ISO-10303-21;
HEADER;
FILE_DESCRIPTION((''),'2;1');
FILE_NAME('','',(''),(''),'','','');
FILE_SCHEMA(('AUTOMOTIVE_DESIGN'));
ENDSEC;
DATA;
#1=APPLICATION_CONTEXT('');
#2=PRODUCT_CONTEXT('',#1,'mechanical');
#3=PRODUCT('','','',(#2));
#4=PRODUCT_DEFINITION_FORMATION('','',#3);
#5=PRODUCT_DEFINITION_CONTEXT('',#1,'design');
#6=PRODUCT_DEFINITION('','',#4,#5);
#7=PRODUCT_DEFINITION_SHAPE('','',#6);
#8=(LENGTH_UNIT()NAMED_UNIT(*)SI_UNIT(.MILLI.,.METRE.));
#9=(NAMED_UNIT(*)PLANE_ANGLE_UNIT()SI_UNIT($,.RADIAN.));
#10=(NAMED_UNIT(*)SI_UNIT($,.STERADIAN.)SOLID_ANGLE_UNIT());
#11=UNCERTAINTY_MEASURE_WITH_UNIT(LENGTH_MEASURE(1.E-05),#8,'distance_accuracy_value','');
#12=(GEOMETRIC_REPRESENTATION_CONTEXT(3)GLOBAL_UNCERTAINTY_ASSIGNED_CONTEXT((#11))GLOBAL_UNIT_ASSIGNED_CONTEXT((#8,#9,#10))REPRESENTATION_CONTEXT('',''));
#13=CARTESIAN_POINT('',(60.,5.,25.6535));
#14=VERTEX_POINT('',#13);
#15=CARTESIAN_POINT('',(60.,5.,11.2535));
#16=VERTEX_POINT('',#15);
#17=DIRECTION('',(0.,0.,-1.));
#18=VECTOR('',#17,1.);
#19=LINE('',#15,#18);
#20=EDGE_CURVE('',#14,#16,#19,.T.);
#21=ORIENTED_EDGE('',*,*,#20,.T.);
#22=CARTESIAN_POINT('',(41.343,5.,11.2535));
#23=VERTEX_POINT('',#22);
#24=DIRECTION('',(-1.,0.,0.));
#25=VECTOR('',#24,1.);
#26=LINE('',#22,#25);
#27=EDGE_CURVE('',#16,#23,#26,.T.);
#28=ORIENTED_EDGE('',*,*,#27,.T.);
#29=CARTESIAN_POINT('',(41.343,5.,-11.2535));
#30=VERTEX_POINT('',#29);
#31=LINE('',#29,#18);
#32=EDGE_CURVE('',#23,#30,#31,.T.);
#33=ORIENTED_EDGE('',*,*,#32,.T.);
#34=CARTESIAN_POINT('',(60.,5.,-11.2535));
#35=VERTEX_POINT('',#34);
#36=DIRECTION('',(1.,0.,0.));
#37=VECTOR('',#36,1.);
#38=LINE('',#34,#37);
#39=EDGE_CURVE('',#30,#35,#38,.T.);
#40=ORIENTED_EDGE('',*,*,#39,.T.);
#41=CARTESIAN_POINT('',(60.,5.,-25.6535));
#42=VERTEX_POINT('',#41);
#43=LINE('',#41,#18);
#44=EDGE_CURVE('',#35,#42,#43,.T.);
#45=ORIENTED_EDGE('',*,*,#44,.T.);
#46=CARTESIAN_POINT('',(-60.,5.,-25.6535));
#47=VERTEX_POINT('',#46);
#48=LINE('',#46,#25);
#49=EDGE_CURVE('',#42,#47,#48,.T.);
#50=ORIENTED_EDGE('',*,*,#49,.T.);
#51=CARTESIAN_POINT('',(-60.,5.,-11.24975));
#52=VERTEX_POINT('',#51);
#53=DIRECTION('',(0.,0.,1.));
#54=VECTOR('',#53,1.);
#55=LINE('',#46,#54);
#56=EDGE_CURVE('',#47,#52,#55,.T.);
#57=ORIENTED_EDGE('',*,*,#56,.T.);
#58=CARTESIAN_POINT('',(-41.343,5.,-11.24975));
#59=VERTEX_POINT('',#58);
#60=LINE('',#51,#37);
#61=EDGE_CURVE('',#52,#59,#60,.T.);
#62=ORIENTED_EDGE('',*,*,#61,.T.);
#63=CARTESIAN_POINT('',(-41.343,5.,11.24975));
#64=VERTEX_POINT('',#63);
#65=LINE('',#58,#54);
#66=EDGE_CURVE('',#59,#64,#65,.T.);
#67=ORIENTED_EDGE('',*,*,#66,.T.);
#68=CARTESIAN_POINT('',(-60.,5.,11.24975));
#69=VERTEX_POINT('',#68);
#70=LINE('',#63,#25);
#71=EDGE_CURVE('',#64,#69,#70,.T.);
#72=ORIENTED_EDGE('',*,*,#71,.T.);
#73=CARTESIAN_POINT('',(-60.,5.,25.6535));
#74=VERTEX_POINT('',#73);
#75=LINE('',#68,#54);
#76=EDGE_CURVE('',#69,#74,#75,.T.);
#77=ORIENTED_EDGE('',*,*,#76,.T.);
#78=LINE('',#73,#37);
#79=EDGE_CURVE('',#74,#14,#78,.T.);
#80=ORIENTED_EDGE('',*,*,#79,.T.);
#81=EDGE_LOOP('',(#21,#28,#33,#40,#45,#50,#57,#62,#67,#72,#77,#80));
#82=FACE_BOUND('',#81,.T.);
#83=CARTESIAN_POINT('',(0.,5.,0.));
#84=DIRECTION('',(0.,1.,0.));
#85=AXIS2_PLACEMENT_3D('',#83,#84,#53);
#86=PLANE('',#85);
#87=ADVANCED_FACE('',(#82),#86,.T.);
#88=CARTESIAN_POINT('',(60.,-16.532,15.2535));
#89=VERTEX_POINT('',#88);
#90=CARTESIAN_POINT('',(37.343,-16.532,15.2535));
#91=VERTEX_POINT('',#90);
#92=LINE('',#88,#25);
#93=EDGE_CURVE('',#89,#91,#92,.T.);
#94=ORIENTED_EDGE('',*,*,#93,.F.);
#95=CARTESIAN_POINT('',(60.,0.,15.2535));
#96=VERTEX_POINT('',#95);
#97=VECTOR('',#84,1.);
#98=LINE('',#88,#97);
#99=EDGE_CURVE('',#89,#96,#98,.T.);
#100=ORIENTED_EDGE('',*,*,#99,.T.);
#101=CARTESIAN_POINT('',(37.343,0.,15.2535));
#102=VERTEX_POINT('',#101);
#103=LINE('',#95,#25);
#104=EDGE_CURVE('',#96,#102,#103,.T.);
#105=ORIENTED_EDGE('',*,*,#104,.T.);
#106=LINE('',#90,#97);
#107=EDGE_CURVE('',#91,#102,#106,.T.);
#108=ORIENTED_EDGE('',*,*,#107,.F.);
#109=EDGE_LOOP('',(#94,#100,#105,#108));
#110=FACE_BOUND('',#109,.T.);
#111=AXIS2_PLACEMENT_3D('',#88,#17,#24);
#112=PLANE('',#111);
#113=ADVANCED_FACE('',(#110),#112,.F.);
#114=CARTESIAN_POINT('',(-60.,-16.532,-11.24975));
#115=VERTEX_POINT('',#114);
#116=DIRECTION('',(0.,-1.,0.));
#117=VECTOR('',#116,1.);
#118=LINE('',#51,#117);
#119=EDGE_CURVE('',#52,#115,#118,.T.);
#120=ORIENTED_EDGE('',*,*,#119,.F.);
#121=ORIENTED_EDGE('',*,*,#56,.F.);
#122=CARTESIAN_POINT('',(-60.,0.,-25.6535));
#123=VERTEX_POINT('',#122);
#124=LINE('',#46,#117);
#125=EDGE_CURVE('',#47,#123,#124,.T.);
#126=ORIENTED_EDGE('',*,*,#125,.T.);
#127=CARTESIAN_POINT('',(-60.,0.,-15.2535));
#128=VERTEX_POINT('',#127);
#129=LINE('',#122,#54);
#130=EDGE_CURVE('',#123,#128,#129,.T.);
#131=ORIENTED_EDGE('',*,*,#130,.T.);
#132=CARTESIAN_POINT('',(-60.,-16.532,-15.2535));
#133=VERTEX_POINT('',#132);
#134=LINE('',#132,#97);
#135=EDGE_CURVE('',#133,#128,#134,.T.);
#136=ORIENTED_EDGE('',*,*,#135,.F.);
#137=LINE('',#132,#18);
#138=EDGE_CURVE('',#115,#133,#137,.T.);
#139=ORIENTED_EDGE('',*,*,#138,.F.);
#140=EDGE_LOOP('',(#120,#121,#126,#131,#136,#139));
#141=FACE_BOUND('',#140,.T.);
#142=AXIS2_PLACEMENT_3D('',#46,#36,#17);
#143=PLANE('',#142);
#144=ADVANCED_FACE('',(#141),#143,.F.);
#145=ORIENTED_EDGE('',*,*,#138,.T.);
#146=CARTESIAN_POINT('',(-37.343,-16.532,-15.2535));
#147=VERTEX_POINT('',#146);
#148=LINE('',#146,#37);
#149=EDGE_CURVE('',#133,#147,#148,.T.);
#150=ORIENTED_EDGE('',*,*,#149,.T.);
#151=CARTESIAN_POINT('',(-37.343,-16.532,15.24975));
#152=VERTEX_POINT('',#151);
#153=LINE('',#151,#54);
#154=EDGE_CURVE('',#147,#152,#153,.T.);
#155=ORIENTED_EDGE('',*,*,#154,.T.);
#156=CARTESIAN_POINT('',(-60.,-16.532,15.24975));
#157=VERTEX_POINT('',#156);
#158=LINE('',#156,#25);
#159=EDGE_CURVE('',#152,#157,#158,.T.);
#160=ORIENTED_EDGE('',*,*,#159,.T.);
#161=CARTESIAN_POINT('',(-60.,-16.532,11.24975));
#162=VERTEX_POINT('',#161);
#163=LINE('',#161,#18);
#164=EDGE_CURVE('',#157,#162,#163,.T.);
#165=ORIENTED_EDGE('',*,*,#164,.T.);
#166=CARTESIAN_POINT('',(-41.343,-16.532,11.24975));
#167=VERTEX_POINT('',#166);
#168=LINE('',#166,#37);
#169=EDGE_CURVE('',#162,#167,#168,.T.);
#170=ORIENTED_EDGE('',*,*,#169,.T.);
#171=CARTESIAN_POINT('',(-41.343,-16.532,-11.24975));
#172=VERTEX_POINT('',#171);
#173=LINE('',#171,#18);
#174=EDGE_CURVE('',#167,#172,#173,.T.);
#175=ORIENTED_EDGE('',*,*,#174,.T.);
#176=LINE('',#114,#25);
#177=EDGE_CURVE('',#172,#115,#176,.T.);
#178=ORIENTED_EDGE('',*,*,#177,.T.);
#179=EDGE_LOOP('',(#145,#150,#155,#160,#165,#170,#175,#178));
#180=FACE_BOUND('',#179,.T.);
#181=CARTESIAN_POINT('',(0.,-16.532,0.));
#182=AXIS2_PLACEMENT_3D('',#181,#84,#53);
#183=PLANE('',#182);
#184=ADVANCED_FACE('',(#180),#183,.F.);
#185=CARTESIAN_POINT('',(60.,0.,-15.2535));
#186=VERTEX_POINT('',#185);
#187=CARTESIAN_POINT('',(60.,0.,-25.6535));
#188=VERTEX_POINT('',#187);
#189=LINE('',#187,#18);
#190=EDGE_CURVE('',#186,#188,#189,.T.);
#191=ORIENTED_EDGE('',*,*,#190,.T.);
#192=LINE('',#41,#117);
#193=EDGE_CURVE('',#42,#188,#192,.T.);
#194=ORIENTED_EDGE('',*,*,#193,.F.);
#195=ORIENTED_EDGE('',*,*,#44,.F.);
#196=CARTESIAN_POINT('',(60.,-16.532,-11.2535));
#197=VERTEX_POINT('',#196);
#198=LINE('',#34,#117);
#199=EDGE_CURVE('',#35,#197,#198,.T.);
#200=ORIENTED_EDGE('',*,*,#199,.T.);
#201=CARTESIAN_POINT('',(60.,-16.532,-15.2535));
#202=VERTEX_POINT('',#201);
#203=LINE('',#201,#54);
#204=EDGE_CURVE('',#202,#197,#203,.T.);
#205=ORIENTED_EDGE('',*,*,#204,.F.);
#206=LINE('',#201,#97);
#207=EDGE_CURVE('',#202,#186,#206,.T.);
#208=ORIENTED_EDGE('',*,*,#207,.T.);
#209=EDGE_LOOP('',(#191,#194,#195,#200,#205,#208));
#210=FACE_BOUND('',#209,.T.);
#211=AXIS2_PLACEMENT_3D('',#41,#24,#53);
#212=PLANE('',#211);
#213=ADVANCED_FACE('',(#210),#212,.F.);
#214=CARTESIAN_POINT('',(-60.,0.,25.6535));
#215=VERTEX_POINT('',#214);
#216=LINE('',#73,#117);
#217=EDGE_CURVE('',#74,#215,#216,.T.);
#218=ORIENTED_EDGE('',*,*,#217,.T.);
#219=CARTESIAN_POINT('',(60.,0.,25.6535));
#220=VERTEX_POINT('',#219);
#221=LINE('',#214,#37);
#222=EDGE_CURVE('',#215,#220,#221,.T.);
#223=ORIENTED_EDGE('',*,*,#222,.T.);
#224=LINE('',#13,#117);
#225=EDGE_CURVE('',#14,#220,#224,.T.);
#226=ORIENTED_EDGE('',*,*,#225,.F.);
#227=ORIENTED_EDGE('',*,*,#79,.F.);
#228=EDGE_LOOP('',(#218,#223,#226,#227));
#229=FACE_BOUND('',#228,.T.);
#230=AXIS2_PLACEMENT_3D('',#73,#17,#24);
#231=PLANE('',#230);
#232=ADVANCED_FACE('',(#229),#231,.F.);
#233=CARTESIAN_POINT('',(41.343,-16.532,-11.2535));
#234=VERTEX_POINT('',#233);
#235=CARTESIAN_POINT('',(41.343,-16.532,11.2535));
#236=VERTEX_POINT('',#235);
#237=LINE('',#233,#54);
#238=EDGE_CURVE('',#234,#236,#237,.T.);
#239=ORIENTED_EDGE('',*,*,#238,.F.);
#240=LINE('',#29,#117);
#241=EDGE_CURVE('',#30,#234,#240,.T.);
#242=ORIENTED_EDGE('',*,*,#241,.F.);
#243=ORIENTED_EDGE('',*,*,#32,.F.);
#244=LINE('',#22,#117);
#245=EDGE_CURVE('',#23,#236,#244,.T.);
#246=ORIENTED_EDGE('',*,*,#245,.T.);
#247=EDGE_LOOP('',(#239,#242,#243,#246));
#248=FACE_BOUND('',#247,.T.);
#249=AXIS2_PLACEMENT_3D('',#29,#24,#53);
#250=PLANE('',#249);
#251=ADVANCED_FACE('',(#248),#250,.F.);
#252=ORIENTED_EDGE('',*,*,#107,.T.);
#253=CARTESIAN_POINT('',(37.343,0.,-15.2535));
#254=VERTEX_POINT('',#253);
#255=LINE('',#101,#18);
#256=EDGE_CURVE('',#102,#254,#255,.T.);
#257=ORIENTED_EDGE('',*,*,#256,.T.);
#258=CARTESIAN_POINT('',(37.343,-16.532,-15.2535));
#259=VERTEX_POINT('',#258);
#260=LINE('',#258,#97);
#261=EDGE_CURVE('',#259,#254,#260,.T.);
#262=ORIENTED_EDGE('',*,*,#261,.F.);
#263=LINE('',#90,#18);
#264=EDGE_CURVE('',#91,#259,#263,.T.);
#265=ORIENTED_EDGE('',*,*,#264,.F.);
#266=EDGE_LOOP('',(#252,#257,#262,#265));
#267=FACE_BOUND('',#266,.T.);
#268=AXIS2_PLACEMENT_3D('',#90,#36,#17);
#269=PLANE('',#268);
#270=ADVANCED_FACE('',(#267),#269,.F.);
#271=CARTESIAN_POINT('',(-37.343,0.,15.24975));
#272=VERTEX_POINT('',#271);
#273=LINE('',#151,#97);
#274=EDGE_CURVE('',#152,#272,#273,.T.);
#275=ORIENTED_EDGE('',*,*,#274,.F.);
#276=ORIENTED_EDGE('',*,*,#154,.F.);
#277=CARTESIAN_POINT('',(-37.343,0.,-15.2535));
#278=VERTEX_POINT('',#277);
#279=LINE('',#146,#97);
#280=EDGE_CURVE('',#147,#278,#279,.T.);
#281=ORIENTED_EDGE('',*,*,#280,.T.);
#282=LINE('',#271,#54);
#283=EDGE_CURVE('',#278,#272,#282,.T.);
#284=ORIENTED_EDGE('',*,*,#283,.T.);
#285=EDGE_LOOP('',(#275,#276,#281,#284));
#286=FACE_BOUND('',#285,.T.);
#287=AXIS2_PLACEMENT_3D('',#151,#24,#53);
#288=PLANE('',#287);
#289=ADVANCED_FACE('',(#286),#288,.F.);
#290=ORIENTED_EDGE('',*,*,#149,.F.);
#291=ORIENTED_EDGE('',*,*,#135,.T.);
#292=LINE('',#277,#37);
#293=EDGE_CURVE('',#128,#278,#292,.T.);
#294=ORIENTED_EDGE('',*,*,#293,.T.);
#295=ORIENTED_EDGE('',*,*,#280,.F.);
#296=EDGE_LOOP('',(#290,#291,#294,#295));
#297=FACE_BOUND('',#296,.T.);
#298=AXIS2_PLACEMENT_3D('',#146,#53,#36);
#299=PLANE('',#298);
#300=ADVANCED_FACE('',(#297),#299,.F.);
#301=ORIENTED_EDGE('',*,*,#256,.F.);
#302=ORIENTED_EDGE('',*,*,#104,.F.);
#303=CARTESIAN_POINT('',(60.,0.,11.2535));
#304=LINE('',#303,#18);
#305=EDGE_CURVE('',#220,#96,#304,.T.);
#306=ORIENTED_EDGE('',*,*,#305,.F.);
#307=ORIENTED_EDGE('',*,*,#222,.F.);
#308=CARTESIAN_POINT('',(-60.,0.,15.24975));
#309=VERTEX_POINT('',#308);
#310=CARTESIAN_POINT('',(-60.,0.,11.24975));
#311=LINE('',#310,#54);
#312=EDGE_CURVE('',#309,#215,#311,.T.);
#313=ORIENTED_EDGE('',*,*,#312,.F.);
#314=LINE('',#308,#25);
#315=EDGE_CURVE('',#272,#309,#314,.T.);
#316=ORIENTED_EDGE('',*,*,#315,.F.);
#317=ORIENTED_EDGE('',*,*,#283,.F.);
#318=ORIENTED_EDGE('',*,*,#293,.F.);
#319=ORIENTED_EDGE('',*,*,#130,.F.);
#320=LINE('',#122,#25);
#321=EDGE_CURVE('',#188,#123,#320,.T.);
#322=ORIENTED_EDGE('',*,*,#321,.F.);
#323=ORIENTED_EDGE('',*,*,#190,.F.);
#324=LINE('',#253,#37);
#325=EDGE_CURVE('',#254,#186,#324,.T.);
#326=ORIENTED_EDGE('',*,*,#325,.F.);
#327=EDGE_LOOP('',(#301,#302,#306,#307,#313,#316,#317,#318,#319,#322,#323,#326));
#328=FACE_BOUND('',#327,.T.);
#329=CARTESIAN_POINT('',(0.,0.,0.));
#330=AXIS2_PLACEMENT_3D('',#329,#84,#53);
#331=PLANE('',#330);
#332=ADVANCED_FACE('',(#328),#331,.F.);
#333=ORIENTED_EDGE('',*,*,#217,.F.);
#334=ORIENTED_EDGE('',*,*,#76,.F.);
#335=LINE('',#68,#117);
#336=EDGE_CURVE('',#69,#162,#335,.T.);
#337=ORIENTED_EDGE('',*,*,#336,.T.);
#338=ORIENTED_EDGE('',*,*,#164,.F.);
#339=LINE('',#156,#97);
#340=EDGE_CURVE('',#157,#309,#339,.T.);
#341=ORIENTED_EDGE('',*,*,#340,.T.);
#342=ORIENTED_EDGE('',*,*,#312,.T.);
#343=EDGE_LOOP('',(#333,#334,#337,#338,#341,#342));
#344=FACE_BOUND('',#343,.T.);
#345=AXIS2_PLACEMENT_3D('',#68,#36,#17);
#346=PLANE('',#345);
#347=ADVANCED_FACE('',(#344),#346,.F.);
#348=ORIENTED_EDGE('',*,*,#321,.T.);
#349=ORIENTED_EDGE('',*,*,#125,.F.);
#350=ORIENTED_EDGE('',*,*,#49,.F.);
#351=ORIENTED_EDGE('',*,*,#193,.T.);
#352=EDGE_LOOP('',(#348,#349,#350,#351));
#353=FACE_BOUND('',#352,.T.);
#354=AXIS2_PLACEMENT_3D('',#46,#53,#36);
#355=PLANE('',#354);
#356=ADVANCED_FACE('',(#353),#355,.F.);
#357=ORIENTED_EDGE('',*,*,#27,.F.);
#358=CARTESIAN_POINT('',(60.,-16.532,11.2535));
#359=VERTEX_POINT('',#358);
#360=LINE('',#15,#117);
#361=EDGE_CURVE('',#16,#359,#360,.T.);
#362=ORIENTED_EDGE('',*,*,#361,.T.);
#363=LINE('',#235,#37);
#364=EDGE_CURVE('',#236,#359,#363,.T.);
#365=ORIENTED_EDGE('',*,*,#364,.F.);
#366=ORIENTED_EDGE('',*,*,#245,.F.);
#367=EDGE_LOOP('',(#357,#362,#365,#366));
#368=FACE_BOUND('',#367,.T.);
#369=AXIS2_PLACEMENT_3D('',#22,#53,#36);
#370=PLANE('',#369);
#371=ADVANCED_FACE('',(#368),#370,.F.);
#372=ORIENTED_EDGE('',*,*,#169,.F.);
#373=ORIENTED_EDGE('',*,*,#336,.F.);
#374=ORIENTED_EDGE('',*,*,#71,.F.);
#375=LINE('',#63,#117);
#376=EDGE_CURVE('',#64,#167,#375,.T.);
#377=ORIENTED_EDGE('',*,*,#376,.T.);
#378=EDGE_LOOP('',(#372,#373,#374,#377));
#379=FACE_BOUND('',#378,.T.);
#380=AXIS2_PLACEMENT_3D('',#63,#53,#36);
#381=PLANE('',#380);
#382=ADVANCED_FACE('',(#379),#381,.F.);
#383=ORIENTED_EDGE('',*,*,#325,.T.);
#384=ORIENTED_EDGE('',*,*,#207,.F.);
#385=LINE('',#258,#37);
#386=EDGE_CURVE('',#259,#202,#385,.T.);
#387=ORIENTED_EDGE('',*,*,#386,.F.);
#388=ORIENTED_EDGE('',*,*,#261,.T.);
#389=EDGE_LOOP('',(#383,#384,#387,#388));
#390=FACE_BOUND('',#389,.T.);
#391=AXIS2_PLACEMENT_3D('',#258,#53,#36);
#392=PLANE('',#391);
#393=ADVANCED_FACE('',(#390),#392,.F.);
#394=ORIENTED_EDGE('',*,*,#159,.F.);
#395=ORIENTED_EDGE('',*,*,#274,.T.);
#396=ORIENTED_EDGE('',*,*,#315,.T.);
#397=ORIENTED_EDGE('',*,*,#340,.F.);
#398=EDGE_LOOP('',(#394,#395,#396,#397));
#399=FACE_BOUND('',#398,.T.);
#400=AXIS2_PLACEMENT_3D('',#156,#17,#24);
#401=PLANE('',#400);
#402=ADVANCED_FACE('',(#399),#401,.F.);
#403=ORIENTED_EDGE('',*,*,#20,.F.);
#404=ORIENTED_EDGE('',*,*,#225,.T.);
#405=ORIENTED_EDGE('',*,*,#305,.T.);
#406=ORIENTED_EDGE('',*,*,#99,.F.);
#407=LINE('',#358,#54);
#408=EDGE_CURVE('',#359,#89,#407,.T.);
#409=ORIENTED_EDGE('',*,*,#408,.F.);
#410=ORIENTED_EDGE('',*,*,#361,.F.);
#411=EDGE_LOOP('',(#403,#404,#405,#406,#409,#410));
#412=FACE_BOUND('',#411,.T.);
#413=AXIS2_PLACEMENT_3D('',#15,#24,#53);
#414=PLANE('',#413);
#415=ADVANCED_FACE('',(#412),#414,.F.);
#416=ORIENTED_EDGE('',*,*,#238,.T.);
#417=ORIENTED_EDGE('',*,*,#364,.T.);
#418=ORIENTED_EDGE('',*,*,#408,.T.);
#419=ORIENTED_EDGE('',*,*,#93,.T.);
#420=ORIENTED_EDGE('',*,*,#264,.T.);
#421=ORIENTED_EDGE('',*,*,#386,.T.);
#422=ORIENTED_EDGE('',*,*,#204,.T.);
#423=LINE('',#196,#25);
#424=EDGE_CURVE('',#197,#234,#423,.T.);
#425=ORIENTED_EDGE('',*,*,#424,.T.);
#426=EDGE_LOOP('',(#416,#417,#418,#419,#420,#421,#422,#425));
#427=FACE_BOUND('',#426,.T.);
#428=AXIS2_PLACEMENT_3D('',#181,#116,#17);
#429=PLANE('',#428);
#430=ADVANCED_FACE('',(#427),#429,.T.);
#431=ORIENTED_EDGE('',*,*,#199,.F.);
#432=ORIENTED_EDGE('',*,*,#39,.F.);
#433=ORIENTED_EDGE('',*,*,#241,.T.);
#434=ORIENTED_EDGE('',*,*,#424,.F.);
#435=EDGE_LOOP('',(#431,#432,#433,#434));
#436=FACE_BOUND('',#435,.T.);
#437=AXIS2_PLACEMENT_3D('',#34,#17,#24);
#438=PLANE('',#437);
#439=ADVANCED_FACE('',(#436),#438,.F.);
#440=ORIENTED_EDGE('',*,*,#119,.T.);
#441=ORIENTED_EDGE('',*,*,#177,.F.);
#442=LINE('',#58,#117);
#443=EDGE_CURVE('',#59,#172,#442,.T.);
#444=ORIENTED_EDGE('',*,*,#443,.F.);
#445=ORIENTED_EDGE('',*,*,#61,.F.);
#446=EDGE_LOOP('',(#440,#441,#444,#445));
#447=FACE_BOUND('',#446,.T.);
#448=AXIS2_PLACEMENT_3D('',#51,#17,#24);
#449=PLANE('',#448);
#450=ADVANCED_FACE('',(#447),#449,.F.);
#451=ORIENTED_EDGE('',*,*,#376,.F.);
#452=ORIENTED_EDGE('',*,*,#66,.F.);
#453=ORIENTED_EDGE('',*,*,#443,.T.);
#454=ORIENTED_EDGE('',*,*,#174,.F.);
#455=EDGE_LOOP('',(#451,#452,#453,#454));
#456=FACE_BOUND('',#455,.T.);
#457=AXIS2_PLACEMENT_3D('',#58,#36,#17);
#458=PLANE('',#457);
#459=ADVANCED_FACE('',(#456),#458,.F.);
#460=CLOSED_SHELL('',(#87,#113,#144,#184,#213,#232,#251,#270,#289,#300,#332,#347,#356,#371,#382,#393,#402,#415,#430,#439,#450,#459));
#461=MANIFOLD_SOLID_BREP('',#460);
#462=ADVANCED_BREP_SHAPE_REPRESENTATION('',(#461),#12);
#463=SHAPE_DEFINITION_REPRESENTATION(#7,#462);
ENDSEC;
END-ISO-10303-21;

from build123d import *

# Parameters (mm, degrees)
BOSS_EXTRUDE1_DEPTH = 5
BOSS_EXTRUDE2_DEPTH = 16.532


with BuildPart() as part:
    # Sketch1 → Boss-Extrude1 (new body)
    with BuildSketch(Plane(origin=(0, 0, 0), x_dir=(1, 0, 0), z_dir=(0, 1, 0))):
        Polygon((-60, 25.6535), (-60, 11.24975), (-41.343, 11.24975), (-41.343, -11.24975), (-60, -11.24975), (-60, -25.6535), (60, -25.6535), (60, -11.2535), (41.343, -11.2535), (41.343, 11.2535), (60, 11.2535), (60, 25.6535), align=None)
    extrude(amount=BOSS_EXTRUDE1_DEPTH)

    # Sketch2 → Boss-Extrude2 (add)
    with BuildSketch(Plane.XZ):
        Polygon((60, 15.2535), (37.343, 15.2535), (37.343, -15.2535), (60, -15.2535), (60, -11.2535), (41.343, -11.2535), (41.343, 11.2535), (60, 11.2535), align=None)
        Polygon((-60, 11.24975), (-60, 15.24975), (-37.343, 15.24975), (-37.343, -15.2535), (-60, -15.2535), (-60, -11.24975), (-41.343, -11.24975), (-41.343, 11.24975), align=None)
    extrude(amount=BOSS_EXTRUDE2_DEPTH)


solid = part.part
